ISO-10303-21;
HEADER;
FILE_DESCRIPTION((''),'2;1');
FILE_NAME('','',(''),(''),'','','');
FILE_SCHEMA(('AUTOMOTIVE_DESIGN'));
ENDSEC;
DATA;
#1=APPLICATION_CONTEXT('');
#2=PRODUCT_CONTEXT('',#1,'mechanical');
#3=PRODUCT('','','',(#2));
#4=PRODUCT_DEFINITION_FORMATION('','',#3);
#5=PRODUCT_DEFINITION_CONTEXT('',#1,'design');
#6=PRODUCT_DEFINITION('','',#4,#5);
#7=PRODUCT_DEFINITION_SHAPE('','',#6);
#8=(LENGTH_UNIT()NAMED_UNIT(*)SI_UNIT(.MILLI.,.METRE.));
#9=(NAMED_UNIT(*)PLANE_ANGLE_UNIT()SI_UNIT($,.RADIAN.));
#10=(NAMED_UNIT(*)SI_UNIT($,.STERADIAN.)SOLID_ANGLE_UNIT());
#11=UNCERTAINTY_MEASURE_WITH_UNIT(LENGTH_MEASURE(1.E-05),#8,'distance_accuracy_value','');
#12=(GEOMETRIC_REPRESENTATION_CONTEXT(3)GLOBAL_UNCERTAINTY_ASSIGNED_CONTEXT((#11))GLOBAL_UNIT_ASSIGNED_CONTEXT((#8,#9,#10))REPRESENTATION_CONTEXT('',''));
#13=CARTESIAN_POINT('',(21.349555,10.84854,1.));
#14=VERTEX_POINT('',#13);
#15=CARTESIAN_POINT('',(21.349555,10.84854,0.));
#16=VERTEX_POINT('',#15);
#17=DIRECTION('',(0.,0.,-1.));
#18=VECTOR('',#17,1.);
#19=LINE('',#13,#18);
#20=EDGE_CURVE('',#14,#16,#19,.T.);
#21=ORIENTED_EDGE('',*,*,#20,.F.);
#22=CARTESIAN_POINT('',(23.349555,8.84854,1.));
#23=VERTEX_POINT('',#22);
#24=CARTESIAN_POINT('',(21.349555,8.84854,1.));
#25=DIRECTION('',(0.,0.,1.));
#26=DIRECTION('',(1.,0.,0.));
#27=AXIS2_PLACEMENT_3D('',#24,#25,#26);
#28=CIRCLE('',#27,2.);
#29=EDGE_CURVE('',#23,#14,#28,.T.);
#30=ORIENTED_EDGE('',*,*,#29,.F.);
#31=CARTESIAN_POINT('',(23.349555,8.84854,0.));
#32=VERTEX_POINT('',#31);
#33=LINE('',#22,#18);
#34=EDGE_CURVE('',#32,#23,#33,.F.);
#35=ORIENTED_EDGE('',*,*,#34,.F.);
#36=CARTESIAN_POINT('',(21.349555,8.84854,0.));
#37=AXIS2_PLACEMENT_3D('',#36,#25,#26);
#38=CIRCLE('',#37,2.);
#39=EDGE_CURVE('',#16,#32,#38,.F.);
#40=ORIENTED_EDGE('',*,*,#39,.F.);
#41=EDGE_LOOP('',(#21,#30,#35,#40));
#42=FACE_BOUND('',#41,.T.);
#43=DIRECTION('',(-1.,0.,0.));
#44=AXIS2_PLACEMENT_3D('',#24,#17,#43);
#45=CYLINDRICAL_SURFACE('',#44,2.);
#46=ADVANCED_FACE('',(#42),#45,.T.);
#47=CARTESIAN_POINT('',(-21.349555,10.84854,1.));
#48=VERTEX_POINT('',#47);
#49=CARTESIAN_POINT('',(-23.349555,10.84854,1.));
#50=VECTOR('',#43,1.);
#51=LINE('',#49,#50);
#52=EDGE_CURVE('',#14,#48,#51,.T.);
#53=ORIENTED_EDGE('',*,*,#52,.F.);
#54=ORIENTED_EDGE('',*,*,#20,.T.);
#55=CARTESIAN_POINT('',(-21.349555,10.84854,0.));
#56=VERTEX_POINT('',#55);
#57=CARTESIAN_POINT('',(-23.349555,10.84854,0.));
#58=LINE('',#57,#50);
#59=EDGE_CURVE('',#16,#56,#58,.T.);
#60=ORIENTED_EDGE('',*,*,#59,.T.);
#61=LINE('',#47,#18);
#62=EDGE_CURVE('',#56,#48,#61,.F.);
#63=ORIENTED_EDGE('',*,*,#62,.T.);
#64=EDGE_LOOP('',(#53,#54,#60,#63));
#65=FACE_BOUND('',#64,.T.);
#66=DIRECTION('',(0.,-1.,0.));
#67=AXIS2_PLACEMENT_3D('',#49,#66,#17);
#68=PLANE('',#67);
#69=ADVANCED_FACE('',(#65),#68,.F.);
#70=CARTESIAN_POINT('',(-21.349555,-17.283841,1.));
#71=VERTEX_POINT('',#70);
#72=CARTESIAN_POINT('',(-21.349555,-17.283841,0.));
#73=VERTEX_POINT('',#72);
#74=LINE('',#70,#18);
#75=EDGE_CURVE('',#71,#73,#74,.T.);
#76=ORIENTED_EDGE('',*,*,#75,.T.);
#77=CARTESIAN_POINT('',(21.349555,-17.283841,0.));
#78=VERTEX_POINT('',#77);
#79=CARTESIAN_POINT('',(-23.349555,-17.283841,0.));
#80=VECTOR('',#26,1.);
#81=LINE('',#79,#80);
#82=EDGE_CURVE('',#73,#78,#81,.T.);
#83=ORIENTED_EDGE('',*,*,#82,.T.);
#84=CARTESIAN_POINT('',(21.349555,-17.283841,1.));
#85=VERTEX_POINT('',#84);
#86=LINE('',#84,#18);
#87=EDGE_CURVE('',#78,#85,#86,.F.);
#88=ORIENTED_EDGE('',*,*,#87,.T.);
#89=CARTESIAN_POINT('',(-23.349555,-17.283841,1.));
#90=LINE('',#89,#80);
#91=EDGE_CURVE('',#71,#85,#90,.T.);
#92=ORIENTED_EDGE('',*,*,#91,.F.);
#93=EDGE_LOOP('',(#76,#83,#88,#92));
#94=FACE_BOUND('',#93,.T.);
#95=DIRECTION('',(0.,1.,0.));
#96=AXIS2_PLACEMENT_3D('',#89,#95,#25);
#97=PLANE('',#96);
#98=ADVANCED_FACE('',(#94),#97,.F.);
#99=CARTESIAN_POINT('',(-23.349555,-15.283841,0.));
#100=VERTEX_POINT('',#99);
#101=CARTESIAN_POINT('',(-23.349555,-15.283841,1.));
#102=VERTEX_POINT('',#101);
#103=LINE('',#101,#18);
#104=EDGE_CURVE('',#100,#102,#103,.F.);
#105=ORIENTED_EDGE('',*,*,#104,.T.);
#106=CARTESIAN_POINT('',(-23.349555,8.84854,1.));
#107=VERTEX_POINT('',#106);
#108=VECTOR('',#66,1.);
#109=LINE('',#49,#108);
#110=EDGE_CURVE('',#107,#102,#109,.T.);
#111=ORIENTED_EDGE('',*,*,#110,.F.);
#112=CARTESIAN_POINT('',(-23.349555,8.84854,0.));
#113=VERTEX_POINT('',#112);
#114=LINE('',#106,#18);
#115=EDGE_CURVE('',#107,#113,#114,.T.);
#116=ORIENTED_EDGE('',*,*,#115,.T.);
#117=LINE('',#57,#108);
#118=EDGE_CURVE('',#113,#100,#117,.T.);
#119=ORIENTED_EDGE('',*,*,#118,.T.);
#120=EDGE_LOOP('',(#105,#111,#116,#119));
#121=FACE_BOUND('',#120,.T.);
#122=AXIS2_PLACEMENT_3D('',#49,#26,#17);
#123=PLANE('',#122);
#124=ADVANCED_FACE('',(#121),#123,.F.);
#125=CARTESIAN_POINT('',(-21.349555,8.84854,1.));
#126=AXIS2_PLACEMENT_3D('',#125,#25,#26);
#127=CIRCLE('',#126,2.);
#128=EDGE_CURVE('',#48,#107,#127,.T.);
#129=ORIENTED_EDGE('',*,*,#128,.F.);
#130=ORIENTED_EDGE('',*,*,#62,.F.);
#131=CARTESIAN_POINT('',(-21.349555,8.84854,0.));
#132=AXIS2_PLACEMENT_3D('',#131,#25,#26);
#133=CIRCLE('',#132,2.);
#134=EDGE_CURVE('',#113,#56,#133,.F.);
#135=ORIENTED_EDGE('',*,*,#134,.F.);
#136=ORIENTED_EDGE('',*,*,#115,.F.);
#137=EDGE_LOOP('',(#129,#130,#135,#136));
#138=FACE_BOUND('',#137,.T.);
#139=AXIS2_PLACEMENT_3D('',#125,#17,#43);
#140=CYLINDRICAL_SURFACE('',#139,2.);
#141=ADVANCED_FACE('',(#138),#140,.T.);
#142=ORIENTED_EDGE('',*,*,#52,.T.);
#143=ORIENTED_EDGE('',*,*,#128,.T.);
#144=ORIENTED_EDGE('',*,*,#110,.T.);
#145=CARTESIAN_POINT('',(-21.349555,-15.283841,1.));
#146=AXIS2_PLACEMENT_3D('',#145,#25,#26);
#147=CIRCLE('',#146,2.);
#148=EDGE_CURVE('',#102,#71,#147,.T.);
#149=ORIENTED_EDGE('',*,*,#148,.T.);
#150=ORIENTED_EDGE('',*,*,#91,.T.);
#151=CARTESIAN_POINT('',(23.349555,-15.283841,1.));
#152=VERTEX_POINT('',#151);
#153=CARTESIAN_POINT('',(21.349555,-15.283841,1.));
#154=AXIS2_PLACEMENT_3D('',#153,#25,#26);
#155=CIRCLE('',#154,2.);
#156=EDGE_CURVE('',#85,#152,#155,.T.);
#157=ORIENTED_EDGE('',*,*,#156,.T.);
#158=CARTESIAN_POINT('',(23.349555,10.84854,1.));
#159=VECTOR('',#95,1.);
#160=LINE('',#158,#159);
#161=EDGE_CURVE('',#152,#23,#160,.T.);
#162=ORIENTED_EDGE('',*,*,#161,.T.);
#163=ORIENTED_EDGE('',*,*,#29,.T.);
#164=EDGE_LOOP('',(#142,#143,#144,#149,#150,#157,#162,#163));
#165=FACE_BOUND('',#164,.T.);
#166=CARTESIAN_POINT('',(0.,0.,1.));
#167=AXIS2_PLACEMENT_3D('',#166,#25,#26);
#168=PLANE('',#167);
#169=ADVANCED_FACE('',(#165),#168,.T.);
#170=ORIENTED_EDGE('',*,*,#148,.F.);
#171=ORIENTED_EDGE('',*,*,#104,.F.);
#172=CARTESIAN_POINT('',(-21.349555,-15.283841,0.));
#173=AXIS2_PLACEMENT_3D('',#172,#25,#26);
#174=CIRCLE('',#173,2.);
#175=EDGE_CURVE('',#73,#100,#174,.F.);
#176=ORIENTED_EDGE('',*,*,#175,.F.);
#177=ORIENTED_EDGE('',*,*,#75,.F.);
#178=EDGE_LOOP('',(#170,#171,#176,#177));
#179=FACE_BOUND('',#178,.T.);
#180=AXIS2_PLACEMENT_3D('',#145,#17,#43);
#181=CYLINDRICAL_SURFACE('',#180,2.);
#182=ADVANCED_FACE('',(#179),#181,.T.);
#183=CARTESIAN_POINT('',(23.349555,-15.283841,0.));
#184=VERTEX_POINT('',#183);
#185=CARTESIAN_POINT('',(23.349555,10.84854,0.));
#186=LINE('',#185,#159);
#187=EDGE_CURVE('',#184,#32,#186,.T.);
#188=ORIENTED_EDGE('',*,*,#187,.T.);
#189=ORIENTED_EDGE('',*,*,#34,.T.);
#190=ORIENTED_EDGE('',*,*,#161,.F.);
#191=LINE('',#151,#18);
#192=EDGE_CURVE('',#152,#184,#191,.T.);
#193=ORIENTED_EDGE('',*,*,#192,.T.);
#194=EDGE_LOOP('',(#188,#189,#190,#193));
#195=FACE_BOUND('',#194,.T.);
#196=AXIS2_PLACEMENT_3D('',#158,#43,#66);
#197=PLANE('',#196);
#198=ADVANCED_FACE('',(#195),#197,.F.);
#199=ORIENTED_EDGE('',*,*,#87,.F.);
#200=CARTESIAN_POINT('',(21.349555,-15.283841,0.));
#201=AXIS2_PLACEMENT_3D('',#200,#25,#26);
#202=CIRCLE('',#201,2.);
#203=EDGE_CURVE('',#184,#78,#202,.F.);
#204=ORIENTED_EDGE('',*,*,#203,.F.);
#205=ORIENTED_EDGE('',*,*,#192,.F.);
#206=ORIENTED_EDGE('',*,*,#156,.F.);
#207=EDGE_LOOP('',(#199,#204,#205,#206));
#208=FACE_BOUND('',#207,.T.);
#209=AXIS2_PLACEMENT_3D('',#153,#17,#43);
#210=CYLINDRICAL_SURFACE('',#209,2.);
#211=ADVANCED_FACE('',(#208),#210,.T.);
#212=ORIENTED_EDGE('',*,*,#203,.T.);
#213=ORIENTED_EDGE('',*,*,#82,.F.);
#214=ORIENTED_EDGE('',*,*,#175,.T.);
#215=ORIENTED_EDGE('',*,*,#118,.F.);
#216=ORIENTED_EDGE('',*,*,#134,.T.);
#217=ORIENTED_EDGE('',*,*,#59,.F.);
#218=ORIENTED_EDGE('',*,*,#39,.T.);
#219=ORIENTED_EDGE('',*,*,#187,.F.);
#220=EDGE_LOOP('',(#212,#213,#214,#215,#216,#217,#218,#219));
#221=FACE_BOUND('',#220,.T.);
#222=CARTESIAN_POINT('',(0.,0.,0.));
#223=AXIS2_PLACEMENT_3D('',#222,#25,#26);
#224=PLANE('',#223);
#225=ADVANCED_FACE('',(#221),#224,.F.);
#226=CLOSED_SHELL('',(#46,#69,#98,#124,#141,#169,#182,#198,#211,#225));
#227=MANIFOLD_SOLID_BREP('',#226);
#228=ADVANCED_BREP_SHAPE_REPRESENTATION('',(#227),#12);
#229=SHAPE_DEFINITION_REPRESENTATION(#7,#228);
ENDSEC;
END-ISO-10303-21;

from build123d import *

# Parameters (mm, degrees)
SKETCH_1_W      = 46.699109992
SKETCH_1_H      = 28.132380741
EXTRUDE_1_DEPTH = 1
FILLET_1_R      = 2


with BuildPart() as part:
    # 草圖1 → 填料-伸長1 (new body)
    with BuildSketch(Plane.XY):
        with Locations((0, -3.217650397)):
            Rectangle(SKETCH_1_W, SKETCH_1_H)
    extrude(amount=EXTRUDE_1_DEPTH)

    # 圓角1
    fillet_1_edges = [part.edges().sort_by_distance(p)[0] for p in [
        (23.349554996, -17.283840768, 0.5),
        (-23.349554996, -17.283840768, 0.5),
        (-23.349554996, 10.848539973, 0.5),
        (23.349554996, 10.848539973, 0.5),
    ]]
    fillet(fillet_1_edges, radius=FILLET_1_R)


solid = part.part
